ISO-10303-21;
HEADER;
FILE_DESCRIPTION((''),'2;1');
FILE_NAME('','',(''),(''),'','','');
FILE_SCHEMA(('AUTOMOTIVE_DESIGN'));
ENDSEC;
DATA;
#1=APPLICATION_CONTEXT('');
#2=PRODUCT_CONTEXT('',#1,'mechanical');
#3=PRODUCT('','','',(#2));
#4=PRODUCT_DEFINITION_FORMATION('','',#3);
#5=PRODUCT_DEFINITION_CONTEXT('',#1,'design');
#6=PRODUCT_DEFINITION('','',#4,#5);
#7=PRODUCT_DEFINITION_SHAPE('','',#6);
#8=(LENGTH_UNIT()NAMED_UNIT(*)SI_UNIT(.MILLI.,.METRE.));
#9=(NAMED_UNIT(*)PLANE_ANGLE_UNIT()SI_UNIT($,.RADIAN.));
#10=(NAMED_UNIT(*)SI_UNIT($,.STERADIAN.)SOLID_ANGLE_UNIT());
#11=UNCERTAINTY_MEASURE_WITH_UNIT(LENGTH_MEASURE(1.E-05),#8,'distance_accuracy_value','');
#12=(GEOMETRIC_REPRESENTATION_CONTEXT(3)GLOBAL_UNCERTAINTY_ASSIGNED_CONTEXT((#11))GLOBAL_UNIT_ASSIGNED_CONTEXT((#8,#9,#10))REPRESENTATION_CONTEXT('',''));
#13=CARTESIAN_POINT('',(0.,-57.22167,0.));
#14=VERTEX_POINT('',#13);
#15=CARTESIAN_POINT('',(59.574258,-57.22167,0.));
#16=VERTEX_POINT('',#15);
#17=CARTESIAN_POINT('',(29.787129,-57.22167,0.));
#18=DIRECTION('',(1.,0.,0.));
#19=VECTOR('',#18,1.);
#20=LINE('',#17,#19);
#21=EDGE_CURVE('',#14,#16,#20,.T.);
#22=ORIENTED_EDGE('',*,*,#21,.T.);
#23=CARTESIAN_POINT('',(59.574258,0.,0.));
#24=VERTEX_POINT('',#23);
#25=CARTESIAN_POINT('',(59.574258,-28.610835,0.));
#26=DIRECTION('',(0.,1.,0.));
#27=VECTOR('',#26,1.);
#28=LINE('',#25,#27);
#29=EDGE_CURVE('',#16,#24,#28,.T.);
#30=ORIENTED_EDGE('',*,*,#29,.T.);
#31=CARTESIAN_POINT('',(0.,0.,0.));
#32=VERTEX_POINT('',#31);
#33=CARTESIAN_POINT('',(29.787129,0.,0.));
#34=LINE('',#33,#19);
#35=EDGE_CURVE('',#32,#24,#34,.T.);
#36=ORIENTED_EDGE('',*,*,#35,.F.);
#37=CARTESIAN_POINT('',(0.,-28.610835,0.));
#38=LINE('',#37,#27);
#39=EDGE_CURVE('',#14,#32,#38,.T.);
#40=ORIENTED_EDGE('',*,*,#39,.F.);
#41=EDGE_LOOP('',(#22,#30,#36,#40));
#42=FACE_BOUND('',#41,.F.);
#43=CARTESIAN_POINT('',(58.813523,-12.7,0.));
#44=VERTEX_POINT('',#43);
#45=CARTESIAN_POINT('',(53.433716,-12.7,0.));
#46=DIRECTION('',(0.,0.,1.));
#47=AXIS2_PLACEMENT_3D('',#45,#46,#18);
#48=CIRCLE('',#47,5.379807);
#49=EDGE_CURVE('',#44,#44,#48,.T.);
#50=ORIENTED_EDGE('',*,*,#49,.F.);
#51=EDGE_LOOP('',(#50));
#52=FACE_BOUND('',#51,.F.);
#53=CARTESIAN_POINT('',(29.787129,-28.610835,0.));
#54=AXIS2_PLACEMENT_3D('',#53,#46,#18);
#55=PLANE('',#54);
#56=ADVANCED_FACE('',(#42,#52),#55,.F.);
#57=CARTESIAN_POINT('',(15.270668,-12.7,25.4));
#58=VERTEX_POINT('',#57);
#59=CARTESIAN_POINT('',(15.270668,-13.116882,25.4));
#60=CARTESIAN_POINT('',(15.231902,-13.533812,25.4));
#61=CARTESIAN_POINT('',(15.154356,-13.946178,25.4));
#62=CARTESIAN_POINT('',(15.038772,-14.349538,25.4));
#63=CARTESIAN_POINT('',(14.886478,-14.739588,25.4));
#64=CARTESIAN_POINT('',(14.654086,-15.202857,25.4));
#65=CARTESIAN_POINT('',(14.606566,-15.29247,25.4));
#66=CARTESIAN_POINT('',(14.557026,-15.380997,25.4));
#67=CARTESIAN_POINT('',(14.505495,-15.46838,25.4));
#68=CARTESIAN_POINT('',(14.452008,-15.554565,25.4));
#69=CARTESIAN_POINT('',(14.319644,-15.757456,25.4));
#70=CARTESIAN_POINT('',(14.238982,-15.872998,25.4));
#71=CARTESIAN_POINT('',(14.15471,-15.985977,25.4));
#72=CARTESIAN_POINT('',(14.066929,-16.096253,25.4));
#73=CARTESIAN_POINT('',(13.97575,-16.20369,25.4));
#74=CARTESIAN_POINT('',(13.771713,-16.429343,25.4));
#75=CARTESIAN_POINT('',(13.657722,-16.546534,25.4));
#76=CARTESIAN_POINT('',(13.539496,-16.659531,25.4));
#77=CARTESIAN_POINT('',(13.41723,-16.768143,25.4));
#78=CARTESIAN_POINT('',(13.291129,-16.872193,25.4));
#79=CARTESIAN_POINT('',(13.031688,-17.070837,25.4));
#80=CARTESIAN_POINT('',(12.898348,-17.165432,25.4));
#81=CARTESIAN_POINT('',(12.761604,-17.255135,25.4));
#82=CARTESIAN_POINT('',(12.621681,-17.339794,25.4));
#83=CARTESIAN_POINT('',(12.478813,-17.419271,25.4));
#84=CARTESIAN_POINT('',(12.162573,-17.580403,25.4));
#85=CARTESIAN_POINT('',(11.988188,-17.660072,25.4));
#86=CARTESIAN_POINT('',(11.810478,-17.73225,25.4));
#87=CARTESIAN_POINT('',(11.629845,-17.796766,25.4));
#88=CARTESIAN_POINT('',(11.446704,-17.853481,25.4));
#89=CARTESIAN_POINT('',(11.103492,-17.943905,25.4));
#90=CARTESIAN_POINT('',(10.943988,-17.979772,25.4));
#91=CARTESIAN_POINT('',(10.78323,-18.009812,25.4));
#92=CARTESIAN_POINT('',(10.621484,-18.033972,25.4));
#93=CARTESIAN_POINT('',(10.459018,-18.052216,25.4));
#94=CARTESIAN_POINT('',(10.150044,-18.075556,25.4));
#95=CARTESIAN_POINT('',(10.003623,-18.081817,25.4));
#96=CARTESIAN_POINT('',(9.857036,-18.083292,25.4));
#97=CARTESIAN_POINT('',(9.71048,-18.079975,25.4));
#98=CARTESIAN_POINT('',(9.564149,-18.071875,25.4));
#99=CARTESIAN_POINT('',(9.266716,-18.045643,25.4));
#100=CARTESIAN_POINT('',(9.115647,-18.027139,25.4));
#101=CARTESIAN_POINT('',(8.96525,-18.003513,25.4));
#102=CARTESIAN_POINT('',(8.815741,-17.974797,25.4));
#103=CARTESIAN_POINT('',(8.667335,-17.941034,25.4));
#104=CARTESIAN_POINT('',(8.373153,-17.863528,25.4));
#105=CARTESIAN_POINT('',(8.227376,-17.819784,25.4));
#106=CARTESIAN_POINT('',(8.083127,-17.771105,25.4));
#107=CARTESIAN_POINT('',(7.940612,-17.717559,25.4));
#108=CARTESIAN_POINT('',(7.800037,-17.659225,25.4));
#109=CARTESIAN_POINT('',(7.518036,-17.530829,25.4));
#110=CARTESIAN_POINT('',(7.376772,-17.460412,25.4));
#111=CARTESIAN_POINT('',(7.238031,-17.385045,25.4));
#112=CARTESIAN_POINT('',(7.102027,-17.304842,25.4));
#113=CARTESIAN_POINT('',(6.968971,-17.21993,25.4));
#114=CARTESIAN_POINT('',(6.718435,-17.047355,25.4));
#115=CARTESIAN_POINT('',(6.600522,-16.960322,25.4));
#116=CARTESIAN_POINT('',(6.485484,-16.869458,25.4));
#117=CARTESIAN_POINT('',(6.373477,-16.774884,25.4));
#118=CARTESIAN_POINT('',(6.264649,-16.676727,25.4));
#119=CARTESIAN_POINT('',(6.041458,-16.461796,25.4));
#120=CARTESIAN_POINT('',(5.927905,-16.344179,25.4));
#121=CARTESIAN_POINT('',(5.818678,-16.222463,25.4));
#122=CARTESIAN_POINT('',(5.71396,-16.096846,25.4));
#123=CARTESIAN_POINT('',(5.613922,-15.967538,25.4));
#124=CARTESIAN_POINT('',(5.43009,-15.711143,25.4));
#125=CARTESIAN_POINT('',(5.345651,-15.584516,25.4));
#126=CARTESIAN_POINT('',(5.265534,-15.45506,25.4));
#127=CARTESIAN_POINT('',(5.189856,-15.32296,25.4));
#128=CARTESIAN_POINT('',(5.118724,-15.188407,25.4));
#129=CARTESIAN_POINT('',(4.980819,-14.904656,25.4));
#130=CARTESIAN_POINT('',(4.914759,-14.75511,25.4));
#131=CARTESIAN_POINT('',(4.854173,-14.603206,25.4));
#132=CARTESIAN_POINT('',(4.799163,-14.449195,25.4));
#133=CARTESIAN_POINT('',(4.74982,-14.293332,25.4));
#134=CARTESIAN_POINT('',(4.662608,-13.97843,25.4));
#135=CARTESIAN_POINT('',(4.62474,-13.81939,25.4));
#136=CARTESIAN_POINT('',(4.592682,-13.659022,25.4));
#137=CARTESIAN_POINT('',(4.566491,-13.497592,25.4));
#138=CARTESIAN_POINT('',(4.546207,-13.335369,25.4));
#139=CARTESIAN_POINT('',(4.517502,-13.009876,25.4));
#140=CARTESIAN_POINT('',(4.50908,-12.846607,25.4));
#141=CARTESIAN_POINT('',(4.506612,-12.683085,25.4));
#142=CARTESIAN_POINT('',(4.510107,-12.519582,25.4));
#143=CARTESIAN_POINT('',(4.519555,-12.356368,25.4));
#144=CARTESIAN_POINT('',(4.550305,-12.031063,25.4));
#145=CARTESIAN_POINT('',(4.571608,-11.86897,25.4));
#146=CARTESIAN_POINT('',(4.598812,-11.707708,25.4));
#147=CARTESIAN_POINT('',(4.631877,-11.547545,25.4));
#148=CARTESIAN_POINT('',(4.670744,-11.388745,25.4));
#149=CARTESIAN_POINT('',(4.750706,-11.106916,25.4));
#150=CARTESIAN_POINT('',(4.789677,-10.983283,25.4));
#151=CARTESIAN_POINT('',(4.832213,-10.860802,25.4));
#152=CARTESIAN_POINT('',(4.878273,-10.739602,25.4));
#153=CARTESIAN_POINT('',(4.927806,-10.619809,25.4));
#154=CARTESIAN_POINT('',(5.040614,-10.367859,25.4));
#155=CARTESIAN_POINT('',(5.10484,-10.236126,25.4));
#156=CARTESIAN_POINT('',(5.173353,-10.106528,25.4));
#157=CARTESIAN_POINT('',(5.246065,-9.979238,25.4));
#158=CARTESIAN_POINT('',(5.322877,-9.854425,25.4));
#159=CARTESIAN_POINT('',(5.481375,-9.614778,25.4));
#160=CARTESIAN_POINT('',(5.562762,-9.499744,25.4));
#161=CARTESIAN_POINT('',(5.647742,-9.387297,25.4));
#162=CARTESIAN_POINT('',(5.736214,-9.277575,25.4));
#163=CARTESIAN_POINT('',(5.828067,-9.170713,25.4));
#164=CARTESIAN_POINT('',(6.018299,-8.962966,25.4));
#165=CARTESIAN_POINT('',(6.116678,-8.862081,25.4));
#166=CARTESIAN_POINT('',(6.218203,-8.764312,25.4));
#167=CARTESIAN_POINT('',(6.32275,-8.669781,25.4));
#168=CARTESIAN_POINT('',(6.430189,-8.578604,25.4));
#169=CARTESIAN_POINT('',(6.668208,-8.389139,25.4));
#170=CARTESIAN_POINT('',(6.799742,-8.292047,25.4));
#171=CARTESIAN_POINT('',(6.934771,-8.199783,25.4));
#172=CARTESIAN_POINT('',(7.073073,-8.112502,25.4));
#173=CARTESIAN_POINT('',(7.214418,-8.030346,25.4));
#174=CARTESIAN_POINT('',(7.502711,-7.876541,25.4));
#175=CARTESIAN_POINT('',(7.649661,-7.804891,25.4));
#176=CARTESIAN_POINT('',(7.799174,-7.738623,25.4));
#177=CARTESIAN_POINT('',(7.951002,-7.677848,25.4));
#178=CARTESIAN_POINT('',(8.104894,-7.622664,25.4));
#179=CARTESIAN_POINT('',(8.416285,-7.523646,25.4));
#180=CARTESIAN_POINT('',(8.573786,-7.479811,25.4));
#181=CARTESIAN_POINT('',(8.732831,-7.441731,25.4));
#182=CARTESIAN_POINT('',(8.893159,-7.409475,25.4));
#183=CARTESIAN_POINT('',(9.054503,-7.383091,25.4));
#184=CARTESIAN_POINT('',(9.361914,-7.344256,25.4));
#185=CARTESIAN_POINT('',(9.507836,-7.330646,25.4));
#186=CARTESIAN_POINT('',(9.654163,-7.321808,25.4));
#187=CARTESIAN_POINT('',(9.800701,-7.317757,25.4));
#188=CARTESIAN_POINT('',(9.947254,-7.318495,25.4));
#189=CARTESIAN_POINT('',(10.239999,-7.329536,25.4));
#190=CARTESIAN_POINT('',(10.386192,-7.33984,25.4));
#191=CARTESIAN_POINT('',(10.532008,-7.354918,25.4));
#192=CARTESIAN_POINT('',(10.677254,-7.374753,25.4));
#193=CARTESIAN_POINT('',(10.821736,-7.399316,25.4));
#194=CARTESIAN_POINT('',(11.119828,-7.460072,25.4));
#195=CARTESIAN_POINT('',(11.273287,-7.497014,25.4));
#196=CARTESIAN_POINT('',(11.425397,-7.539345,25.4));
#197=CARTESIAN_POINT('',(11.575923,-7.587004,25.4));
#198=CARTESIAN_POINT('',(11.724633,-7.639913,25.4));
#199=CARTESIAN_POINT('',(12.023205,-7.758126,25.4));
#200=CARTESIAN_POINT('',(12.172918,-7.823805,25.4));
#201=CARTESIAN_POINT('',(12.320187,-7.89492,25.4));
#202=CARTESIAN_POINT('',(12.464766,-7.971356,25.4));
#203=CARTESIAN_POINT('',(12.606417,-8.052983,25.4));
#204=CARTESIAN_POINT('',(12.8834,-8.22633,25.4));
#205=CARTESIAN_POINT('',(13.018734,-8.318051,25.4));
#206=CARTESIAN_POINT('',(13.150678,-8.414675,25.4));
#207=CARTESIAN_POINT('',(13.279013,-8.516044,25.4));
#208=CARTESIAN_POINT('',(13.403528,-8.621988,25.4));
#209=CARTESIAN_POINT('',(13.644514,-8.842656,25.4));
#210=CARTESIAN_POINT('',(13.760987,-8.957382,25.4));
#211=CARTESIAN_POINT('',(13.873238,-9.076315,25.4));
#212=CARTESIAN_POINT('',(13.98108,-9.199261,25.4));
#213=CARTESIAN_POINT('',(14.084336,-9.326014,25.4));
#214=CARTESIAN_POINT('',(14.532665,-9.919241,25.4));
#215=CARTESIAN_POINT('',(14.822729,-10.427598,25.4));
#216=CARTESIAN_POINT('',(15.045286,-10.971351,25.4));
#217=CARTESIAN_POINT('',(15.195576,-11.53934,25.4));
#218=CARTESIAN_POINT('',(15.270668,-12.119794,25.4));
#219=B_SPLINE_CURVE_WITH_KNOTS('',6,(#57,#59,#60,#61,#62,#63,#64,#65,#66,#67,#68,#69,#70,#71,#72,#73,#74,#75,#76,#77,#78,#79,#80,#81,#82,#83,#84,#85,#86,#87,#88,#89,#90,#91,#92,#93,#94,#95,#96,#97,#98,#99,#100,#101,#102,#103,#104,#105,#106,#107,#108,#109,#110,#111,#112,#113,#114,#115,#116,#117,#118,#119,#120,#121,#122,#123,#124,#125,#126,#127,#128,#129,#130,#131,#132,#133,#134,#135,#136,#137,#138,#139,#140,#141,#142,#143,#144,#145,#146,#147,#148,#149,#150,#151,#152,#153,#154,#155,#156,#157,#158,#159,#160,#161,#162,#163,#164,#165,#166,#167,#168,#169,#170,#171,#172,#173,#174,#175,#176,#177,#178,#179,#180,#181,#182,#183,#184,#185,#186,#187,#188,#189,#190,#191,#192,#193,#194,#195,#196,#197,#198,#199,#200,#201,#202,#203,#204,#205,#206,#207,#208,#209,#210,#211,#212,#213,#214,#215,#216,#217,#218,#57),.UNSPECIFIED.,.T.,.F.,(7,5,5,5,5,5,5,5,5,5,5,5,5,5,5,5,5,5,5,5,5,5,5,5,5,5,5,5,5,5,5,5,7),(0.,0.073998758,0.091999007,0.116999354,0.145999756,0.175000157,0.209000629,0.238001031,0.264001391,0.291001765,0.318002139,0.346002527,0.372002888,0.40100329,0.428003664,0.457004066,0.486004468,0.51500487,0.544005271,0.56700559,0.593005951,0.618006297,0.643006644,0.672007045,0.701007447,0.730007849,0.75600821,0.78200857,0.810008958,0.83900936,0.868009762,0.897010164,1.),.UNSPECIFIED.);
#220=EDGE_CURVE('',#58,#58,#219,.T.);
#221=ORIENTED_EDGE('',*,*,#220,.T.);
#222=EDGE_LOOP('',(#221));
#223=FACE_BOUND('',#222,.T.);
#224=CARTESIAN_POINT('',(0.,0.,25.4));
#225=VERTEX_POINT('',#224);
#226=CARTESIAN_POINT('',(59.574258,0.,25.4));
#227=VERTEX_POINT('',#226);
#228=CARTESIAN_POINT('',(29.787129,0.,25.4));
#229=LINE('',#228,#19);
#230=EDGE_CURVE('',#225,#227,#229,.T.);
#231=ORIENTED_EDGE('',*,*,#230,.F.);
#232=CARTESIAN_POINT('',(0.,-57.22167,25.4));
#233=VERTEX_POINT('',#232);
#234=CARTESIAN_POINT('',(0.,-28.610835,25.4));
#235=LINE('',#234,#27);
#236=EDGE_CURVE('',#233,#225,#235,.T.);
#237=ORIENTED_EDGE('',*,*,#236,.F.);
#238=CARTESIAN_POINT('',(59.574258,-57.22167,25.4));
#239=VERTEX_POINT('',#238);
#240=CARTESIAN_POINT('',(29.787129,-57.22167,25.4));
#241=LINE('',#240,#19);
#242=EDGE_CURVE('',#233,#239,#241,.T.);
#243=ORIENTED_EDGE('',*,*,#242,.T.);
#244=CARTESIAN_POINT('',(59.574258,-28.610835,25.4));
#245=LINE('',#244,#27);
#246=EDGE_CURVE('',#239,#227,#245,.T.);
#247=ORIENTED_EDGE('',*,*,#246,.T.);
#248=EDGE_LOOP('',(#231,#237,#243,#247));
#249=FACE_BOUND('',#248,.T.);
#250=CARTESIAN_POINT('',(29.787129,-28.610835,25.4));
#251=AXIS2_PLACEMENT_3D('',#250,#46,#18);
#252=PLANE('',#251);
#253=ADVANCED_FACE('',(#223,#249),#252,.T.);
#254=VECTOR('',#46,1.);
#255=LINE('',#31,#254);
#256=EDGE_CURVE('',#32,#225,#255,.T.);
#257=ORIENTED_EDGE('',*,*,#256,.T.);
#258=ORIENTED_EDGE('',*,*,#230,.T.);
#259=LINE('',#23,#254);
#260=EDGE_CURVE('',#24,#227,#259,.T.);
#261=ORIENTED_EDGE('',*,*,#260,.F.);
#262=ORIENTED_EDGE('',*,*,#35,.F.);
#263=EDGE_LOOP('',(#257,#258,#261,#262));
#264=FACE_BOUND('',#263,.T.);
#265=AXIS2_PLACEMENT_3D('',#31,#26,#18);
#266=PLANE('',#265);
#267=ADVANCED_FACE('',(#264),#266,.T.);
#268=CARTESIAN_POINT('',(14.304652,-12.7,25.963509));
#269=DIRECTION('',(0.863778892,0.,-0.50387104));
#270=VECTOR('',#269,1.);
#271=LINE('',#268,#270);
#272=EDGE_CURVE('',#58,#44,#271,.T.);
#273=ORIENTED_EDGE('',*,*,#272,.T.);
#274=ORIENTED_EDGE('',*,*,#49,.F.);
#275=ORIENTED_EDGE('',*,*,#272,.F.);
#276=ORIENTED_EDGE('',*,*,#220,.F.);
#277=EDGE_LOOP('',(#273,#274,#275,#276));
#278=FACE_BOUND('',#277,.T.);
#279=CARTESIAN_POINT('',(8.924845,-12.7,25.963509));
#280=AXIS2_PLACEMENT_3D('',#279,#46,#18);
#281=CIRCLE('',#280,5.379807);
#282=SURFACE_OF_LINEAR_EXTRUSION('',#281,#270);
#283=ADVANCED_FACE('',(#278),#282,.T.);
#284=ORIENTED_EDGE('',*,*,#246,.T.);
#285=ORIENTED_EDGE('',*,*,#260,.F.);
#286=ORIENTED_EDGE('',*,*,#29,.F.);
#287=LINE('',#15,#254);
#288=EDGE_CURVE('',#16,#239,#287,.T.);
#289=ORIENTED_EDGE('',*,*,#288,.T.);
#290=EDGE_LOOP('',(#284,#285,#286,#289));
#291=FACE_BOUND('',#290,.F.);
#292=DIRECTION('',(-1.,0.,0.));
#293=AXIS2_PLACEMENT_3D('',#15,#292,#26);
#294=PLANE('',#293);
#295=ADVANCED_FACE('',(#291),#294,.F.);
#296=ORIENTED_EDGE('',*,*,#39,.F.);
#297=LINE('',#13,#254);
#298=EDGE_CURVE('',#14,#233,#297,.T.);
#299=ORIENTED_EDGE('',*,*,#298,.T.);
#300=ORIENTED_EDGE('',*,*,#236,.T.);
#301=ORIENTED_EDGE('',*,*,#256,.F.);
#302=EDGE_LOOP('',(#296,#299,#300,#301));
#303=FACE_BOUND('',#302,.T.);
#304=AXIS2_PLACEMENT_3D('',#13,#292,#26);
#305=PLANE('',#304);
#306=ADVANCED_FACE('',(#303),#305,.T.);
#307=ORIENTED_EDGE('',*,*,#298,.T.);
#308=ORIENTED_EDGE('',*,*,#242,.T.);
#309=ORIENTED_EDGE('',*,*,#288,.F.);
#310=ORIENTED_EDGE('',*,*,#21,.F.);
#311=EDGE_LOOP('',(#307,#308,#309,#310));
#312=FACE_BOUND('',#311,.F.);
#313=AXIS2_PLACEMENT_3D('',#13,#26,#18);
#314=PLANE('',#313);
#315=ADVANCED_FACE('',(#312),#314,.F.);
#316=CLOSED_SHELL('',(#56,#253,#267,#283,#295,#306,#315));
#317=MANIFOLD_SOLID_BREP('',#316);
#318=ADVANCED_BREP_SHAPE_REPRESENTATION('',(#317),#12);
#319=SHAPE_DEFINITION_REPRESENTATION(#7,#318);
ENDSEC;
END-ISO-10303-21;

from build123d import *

# Parameters (mm, degrees)
F0_W     = 59.5742575824
F0_H     = 57.2216697037
F1_DEPTH = 25.4
F2_R     = 5.3798067946


with BuildPart() as f1:
    # F0 (on Top) → F1 (new body)
    with BuildSketch(Plane.XY):
        with Locations((29.7871287912, -28.6108348519)):
            Rectangle(F0_W, F0_H)
    extrude(amount=F1_DEPTH)

    # F5: sweep along a path in F4
    with BuildLine(Plane(origin=(0, -12.7, 0), x_dir=(-1, 0, 0), z_dir=(0, 1, 0))) as f5_path:
        Line((-9.8908608779, 25.9635094553), (-54.3997325003, 0))
    # F2 (on face) → F5 (sweep, cut)
    with BuildSketch(Plane.XY.offset(25.4)):
        with Locations((9.8908608779, -12.7)):
            Circle(F2_R)
    sweep(path=f5_path.line, mode=Mode.SUBTRACT)


solid = f1.part
